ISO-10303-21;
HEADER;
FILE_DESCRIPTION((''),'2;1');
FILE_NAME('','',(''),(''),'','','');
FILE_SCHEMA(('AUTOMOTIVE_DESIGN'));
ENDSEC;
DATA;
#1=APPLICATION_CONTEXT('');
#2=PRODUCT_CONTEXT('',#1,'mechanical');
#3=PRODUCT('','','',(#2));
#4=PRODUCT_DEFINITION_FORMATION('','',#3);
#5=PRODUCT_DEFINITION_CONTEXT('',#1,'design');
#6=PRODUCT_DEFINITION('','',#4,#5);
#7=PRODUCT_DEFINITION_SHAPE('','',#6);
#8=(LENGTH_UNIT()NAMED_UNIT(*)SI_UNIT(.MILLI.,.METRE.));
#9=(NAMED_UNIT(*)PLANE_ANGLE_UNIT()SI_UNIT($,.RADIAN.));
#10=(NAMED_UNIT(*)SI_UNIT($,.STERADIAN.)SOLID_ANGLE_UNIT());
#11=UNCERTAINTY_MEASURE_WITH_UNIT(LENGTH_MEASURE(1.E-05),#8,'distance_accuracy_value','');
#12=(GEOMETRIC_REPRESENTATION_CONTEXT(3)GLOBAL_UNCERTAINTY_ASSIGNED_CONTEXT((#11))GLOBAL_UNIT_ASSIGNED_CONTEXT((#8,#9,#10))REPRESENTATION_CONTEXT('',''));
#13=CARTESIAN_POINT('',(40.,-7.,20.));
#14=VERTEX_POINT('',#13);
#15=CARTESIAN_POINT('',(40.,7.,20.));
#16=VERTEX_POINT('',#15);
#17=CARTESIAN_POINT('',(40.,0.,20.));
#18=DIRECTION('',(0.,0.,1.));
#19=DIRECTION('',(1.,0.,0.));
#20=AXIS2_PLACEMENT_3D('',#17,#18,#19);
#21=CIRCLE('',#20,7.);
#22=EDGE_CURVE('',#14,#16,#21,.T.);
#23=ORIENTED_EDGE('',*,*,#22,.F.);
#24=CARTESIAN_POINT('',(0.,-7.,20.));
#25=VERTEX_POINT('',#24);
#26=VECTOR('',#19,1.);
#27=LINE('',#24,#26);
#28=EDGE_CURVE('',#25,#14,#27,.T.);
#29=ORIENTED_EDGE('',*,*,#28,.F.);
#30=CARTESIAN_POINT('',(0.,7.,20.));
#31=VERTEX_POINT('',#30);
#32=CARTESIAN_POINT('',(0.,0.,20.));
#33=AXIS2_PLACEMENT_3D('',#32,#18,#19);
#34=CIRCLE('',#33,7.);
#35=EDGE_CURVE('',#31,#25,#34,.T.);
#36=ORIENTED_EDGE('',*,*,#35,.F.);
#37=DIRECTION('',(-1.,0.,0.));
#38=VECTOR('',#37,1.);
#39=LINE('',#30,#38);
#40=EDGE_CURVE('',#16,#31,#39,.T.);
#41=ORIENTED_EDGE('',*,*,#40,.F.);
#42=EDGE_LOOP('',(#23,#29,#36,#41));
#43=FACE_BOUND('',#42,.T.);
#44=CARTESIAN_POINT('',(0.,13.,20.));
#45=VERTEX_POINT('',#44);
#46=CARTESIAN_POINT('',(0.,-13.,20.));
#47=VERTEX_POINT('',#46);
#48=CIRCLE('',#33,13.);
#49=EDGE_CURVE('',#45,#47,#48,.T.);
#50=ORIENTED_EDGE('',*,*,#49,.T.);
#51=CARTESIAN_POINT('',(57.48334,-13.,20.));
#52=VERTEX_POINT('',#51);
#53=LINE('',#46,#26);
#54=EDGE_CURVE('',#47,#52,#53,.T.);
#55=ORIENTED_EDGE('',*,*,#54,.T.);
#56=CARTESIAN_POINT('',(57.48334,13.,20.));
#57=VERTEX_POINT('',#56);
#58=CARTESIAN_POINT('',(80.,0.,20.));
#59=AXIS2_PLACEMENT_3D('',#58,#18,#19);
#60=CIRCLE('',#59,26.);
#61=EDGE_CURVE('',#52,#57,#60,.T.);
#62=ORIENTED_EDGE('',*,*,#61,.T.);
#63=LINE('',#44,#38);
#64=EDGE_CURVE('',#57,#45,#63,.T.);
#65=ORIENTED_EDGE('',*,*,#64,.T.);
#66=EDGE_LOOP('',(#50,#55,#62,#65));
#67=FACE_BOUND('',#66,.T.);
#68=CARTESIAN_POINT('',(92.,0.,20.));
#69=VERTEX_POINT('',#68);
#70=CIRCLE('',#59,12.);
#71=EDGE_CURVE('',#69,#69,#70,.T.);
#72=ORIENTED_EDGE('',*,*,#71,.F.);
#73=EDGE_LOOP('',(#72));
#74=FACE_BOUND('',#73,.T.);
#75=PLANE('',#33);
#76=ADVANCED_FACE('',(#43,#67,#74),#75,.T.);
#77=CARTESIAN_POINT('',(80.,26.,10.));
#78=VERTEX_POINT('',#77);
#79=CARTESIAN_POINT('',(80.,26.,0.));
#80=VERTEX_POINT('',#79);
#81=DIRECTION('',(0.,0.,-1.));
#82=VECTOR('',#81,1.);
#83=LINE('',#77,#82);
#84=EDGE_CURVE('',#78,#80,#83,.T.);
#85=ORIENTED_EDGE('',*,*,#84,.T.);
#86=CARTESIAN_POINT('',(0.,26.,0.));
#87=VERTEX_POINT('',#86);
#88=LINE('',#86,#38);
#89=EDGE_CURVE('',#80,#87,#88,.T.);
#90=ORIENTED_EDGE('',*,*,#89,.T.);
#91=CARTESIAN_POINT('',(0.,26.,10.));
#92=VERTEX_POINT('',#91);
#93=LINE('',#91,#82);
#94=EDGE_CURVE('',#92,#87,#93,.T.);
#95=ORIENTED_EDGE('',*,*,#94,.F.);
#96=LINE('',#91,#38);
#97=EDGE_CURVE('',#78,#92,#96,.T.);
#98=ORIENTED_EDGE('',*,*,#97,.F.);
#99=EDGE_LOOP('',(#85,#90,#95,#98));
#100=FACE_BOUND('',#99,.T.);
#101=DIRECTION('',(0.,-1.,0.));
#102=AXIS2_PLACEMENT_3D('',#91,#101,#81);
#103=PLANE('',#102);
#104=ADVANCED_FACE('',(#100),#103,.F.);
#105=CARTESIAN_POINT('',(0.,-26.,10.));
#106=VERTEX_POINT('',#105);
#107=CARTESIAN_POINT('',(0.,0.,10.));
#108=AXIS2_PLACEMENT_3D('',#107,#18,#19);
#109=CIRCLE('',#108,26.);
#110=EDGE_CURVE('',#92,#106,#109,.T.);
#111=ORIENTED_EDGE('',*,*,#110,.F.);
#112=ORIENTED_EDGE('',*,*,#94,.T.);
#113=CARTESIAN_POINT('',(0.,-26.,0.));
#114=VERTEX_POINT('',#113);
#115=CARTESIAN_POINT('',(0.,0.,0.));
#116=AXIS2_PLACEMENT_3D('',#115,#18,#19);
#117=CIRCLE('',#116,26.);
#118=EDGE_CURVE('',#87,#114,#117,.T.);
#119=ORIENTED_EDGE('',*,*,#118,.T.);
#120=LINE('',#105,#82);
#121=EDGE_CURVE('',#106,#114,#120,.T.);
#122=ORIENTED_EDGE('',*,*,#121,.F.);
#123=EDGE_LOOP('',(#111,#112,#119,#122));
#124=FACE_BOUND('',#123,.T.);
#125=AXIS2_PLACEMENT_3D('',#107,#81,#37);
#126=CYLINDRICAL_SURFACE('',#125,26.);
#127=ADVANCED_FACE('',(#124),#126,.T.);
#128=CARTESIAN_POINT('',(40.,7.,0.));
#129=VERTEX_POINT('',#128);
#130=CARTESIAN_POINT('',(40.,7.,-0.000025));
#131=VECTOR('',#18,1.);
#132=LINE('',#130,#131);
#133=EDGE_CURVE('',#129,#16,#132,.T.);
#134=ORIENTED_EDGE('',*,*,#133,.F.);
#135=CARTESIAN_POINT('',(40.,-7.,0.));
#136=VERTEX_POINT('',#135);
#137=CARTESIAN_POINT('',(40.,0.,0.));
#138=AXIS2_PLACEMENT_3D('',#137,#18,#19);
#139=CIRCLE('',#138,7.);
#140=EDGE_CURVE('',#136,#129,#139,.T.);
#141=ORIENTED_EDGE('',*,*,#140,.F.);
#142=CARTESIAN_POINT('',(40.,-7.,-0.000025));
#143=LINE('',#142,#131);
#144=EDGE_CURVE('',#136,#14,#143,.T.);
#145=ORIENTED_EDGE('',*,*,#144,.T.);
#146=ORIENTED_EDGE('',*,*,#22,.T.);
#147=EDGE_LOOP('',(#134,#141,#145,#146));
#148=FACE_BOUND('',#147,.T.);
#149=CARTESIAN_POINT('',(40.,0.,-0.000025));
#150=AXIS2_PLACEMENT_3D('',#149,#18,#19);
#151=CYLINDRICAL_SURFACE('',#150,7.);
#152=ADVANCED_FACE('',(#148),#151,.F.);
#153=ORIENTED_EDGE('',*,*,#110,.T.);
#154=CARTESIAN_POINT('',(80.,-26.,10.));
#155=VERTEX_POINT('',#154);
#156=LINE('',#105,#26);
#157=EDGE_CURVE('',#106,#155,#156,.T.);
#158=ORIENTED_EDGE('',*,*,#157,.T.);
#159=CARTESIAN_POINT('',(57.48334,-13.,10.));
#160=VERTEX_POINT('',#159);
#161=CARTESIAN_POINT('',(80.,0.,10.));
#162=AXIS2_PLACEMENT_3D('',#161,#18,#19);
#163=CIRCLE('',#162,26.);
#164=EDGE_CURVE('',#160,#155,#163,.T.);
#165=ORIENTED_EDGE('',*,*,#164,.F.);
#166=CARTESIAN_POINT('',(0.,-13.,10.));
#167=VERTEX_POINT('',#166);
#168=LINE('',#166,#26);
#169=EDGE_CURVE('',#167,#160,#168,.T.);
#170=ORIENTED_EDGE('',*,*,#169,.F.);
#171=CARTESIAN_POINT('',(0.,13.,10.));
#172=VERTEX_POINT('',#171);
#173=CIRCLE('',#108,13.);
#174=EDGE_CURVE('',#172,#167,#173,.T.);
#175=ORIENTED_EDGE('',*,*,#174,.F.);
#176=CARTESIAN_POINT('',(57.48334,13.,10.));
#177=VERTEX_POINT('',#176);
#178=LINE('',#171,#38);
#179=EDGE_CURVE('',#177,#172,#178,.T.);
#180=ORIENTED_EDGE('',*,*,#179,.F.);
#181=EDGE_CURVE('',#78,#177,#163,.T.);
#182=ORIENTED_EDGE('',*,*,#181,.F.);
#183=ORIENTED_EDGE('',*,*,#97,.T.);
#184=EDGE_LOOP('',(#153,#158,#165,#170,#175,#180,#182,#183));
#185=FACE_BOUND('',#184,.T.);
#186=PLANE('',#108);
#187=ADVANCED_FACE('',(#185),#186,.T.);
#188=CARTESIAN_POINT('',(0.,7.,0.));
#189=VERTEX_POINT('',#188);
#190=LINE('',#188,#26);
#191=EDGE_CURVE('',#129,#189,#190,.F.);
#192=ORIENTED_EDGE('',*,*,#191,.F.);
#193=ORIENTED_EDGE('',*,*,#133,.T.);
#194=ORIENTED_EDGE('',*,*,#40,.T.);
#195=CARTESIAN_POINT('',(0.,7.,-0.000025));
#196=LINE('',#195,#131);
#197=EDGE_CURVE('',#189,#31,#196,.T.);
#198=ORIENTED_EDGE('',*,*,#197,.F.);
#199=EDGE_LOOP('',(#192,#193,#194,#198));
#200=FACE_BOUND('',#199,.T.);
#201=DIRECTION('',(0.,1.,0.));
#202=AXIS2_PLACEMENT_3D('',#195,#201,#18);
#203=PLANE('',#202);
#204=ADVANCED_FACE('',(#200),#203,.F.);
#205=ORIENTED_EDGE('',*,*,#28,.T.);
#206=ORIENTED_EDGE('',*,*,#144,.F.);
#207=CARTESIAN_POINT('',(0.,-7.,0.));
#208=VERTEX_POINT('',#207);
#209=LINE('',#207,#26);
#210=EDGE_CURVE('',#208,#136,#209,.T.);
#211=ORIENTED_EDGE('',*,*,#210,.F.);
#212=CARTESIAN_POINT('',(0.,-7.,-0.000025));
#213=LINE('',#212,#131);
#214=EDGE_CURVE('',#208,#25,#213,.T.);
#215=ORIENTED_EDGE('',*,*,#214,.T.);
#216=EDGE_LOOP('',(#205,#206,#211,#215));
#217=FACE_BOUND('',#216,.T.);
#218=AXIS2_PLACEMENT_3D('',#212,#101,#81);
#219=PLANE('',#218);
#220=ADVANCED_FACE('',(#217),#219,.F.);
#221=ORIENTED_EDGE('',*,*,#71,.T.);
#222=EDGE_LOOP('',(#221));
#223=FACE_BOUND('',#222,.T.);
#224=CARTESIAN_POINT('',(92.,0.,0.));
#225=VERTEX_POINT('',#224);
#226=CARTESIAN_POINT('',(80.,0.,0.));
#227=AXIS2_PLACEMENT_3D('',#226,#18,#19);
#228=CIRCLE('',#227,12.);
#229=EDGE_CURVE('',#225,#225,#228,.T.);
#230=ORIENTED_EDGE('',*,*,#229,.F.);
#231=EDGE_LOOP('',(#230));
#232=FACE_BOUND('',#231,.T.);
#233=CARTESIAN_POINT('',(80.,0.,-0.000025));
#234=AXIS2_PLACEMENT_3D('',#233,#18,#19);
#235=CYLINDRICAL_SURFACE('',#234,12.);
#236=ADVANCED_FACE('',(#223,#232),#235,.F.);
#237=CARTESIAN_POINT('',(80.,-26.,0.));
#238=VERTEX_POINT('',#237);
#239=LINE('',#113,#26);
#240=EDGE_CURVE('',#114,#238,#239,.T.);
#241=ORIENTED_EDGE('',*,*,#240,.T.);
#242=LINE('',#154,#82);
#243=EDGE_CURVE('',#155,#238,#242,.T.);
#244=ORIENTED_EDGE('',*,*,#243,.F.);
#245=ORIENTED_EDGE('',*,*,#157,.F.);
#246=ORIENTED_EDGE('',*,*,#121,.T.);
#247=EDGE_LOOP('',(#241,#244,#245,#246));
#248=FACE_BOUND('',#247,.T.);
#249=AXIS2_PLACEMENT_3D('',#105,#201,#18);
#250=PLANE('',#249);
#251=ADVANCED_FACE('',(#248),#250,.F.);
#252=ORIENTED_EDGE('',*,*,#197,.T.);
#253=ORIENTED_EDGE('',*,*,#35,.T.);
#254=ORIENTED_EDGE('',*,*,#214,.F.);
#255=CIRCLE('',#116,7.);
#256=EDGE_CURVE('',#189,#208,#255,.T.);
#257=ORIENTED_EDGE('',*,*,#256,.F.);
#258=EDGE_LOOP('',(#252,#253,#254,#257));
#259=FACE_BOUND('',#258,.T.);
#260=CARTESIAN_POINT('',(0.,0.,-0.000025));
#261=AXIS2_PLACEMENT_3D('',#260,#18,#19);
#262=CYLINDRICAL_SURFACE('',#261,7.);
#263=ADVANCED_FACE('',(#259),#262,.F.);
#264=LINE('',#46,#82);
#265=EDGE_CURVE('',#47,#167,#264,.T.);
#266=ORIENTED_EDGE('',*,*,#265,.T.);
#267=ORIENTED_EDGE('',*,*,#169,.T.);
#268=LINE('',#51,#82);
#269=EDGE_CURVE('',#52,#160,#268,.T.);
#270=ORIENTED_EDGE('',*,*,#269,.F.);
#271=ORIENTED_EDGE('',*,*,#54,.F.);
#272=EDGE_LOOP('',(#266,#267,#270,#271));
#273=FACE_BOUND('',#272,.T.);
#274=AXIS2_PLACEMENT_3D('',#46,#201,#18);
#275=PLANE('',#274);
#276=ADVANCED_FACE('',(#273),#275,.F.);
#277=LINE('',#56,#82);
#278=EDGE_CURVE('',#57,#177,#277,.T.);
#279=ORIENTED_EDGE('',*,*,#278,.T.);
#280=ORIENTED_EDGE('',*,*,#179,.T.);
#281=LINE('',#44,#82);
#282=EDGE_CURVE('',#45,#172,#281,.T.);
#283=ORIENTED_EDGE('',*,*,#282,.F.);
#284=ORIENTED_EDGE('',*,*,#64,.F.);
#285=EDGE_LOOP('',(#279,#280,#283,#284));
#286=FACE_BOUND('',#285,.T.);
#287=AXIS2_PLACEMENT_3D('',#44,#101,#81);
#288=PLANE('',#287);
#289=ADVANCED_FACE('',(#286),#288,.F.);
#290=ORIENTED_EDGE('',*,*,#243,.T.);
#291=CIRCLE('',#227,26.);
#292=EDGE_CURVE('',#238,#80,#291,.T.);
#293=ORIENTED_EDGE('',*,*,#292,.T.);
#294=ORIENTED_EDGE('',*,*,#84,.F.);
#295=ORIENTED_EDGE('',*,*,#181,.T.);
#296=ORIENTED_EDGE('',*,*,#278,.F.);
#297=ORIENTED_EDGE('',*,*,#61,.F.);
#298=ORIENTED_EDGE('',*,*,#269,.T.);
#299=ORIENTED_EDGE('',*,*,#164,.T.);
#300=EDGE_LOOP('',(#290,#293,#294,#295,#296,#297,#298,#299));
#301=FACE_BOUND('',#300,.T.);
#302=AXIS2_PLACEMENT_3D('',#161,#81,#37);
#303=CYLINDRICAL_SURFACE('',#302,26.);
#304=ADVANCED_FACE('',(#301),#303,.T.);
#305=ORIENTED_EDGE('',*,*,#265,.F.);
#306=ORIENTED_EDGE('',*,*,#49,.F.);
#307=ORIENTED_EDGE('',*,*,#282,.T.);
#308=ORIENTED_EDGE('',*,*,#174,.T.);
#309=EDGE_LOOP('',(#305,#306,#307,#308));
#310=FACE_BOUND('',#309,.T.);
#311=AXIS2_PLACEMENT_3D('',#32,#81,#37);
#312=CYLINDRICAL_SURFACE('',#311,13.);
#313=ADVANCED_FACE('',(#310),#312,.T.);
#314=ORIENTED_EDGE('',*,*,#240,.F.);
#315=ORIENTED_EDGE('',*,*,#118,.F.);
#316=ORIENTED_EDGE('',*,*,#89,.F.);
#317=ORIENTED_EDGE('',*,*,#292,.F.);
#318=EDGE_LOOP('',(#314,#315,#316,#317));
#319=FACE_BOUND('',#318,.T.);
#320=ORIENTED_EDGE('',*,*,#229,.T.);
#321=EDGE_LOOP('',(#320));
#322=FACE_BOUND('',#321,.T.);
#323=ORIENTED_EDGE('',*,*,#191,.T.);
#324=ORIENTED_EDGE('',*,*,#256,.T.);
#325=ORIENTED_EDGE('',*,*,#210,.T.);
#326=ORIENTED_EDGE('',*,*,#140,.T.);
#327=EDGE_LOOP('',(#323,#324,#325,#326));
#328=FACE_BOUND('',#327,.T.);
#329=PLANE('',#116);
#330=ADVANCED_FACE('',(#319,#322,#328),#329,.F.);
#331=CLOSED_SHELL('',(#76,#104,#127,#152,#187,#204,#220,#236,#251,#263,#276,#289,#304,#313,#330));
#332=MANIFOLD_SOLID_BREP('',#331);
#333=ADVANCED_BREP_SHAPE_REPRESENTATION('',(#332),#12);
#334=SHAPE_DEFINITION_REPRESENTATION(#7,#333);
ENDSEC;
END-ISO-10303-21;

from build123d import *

# Parameters (mm, degrees)
RESSALTO_EXTRUS_O1_DEPTH = 10
RESSALTO_EXTRUS_O2_DEPTH = 10
ESBO_O3_R                = 12
CORTE_EXTRUS_O1_DEPTH    = 21


with BuildPart() as part:
    # Esboço1 → Ressalto-extrusão1 (new body)
    with BuildSketch(Plane.XY):
        with BuildLine():
            Line((0, 26), (80, 26))
            ThreePointArc((80, 26), (106, 0), (80, -26))
            Line((80, -26), (0, -26))
            ThreePointArc((0, -26), (-26, 0), (0, 26))
        make_face()
    extrude(amount=RESSALTO_EXTRUS_O1_DEPTH)

    # Esboço2 → Ressalto-extrusão2 (add)
    with BuildSketch(Plane.XY.offset(10)):
        with BuildLine():
            Line((0, 13), (57.483339502, 13))
            ThreePointArc((57.483339502, 13), (106, 0), (57.483339502, -13))
            Line((57.483339502, -13), (0, -13))
            ThreePointArc((0, -13), (-13, 0), (0, 13))
        make_face()
    extrude(amount=RESSALTO_EXTRUS_O2_DEPTH)

    # Esboço3 → Corte-extrusão1 (cut, through all)
    with BuildSketch(Plane.XY.offset(20)):
        with Locations((80, 0)):
            Circle(ESBO_O3_R)
        with BuildLine():
            Line((0, 7), (40, 7))
            ThreePointArc((40, 7), (47, 0), (40, -7))
            Line((40, -7), (0, -7))
            ThreePointArc((0, -7), (-7, 0), (0, 7))
        make_face()
    extrude(amount=-CORTE_EXTRUS_O1_DEPTH, mode=Mode.SUBTRACT)


solid = part.part
